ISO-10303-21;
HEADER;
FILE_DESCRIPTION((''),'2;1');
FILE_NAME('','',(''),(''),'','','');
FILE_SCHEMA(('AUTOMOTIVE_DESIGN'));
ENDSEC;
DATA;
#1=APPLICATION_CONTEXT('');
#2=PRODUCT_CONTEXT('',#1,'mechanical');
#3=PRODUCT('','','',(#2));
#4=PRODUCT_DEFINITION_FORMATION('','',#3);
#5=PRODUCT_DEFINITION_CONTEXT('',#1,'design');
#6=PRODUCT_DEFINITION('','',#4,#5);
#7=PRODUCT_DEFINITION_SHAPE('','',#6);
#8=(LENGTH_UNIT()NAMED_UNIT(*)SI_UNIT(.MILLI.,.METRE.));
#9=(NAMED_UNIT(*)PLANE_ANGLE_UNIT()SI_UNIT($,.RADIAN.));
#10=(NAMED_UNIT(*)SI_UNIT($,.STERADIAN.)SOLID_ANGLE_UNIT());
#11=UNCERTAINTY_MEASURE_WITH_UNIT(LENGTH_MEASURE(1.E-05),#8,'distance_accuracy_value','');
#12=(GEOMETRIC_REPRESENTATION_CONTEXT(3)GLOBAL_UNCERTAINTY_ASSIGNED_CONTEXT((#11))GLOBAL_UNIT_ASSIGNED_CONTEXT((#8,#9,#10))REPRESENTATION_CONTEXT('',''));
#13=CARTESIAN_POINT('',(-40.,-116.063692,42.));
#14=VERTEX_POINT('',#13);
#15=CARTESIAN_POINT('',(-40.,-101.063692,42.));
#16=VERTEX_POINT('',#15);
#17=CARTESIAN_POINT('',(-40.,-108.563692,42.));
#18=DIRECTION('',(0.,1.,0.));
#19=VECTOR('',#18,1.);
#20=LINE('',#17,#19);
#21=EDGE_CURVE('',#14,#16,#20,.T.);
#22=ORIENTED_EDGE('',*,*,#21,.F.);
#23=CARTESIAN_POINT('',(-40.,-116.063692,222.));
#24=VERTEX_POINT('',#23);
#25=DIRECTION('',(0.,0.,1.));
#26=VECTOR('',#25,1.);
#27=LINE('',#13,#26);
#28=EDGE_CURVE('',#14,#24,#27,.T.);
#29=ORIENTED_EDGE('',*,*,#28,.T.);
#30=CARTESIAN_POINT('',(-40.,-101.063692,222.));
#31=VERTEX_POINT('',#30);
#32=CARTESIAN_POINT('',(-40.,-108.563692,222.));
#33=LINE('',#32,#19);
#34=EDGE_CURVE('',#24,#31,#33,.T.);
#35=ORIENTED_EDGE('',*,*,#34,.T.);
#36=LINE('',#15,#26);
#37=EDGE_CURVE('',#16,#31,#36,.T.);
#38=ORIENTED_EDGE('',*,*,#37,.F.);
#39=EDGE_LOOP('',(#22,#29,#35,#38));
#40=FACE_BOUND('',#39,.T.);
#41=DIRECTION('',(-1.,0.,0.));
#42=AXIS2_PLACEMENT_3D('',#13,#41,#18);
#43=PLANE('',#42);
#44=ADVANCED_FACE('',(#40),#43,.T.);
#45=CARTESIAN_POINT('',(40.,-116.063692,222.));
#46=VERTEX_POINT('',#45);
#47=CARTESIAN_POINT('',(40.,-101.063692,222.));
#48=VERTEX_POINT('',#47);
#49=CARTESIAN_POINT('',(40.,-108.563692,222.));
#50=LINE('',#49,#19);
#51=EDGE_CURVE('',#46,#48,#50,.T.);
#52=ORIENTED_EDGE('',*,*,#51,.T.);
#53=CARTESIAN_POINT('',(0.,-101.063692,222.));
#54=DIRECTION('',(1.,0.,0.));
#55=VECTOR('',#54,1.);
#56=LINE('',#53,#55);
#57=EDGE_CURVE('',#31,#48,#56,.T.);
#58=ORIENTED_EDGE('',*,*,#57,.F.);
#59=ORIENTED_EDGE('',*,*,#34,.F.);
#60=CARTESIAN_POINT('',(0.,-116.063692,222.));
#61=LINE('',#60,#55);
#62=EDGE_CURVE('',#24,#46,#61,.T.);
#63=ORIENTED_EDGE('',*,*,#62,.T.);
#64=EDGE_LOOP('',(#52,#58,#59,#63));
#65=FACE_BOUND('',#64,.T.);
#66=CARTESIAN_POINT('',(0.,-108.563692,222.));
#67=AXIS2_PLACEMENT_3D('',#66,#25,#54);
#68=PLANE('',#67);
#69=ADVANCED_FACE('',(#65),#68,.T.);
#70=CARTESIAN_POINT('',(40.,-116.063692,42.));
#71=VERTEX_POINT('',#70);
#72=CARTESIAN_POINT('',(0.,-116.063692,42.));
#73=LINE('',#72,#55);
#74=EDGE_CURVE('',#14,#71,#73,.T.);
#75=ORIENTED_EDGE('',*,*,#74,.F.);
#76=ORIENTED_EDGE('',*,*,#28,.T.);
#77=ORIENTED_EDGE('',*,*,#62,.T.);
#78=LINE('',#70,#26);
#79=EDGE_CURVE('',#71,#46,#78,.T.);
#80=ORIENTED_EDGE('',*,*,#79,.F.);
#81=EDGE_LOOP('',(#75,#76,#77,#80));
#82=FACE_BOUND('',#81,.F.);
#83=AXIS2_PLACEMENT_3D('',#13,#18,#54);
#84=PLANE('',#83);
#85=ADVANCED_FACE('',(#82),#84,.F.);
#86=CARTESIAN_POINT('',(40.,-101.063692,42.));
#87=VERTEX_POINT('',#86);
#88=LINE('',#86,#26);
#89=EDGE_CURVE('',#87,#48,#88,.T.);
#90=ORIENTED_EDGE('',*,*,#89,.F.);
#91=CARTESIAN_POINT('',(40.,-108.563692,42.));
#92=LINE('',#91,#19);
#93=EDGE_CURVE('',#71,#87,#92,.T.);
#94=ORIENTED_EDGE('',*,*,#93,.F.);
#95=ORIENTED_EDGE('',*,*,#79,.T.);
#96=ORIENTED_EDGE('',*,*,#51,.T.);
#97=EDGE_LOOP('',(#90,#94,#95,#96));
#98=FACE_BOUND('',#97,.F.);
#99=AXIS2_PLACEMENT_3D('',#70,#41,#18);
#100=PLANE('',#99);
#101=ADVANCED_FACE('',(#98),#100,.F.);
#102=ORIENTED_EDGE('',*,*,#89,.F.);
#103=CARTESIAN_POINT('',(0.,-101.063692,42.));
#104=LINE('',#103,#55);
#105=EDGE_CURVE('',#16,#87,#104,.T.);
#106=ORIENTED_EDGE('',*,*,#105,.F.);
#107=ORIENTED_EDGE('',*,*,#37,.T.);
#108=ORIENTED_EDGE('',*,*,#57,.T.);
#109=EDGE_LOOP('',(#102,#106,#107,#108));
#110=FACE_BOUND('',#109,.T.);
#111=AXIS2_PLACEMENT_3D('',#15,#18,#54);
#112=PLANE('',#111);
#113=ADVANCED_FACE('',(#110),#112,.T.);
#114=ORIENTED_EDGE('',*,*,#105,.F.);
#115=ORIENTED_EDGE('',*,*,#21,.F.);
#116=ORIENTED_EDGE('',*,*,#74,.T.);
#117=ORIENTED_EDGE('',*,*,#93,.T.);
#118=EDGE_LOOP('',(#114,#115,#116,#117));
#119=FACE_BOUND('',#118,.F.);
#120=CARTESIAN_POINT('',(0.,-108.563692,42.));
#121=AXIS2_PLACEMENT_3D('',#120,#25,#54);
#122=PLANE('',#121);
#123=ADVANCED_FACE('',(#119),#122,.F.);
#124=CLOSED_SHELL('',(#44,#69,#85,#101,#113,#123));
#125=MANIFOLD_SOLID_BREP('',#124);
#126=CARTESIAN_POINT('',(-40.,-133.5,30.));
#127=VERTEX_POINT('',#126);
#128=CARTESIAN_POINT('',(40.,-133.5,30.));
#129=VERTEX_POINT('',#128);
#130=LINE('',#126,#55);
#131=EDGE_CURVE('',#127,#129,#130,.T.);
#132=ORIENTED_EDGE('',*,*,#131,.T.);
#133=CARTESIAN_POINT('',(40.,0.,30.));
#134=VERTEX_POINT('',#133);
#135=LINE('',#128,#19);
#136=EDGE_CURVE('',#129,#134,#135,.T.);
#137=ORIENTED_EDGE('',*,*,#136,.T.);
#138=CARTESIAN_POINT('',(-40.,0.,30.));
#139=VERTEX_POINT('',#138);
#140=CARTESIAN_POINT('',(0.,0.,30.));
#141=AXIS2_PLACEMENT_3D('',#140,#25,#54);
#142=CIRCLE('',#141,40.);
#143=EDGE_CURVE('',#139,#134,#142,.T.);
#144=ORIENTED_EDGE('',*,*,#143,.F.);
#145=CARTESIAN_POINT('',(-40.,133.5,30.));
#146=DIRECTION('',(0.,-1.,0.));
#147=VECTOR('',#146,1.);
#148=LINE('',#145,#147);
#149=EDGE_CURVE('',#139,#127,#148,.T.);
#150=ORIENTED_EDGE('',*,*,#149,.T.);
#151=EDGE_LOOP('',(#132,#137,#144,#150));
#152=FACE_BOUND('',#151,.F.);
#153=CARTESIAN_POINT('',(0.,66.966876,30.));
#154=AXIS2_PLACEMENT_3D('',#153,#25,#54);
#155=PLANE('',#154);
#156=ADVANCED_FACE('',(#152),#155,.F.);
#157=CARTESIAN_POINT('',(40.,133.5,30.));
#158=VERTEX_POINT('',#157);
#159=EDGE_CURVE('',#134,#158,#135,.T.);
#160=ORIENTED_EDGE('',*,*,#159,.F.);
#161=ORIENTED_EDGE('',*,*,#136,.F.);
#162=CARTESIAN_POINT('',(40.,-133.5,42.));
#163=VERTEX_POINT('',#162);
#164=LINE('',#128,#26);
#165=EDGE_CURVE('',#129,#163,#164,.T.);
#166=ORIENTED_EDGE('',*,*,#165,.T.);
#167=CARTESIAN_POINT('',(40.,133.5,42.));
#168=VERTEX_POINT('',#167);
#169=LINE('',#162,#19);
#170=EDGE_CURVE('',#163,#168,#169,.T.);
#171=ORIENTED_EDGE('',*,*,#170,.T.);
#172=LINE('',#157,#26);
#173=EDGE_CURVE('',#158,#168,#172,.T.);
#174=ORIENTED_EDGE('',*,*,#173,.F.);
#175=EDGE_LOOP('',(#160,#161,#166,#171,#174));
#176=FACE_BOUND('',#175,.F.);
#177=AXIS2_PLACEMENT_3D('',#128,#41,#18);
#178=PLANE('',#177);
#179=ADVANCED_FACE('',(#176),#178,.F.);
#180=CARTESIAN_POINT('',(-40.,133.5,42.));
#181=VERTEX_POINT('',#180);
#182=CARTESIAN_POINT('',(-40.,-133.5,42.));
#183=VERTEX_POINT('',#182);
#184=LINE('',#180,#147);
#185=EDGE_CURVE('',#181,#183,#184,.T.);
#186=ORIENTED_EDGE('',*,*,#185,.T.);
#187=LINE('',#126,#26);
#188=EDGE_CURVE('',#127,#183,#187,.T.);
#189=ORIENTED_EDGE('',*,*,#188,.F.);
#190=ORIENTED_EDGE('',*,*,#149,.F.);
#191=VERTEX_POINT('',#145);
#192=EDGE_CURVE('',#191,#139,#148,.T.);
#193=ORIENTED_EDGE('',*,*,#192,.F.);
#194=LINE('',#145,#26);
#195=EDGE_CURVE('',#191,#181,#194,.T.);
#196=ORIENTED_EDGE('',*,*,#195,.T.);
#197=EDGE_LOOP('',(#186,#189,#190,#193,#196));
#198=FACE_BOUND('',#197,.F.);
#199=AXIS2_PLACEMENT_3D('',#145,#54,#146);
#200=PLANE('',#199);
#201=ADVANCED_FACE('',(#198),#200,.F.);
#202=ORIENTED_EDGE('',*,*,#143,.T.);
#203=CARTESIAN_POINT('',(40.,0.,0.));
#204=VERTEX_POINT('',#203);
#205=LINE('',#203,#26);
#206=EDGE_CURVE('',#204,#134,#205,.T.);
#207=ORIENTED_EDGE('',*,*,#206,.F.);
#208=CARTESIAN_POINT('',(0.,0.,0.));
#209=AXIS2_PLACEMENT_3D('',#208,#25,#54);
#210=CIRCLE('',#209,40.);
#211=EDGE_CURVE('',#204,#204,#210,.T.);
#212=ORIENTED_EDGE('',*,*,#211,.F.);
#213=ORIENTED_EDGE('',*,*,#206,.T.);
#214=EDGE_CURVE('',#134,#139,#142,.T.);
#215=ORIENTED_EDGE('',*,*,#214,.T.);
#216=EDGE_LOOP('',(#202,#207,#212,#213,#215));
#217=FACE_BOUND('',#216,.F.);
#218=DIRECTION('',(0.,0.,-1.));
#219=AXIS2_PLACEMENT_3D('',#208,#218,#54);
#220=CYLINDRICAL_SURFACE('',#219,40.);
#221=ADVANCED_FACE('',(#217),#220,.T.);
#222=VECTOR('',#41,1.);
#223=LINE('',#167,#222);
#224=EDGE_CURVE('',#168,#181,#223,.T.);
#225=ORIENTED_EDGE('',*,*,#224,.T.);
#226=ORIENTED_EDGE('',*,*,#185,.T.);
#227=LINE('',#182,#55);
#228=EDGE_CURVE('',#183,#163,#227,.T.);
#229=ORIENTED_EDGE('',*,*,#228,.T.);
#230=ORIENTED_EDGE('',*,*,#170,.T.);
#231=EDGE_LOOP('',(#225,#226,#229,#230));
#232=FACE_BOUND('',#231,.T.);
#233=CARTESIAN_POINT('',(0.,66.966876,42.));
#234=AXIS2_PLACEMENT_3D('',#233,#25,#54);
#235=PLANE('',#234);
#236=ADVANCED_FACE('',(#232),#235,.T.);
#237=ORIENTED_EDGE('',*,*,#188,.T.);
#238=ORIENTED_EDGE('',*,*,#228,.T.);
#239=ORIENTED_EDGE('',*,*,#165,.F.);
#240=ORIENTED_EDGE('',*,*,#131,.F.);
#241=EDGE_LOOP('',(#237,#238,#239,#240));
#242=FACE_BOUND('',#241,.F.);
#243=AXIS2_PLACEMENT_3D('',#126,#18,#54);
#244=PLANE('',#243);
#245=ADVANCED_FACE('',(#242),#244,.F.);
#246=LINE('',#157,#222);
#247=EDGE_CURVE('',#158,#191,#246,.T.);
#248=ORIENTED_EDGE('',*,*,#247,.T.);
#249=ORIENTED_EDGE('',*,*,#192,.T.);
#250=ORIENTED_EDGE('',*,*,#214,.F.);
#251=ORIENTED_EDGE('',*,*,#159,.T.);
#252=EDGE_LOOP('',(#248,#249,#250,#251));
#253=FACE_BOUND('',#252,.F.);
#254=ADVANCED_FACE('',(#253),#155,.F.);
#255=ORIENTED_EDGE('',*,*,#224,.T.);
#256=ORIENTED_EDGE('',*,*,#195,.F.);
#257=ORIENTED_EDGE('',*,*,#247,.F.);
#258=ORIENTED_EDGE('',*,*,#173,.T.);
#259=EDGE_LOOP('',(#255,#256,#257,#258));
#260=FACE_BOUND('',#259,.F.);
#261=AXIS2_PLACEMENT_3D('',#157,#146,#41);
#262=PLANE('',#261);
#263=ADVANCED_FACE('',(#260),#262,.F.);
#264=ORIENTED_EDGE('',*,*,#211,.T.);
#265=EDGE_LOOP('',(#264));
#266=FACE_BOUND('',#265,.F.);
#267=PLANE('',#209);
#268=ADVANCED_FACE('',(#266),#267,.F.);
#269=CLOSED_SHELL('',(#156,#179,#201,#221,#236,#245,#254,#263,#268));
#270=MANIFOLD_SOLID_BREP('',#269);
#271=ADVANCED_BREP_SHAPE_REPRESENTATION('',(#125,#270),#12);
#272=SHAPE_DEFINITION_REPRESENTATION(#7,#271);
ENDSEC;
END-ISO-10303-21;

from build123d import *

# Parameters (mm, degrees)
F0_R     = 40
F1_DEPTH = 30
F3_DEPTH = 12
F4_W     = 80
F4_H     = 15
F5_DEPTH = 180


with BuildPart() as f1:
    # F0 (on Top) → F1 (new body)
    with BuildSketch(Plane.XY):
        Circle(F0_R)
    extrude(amount=F1_DEPTH)

    # F2 (on face) → F3 (join)
    with BuildSketch(Plane.XY.offset(30)):
        with BuildLine():
            Line((40, 0), (40, 133.5))
            Line((40, 133.5), (-40, 133.5))
            Line((-40, 133.5), (-40, 0))
            ThreePointArc((-40, 0), (0, 40), (40, 0))
        make_face()
        with BuildLine():
            Line((40, -133.5), (40, 0))
            ThreePointArc((40, 0), (0, -40), (-40, 0))
            Line((-40, 0), (-40, -133.5))
            Line((-40, -133.5), (40, -133.5))
        make_face()
        with BuildLine():
            ThreePointArc((-40, 0), (0, -40), (40, 0))
            ThreePointArc((40, 0), (0, 40), (-40, 0))
        make_face()
    extrude(amount=F3_DEPTH)


with BuildPart() as f5:
    # F4 (on face) → F5 (new body)
    with BuildSketch(Plane.XY.offset(42)):
        with Locations((0, -108.563692)):
            Rectangle(F4_W, F4_H)
    extrude(amount=F5_DEPTH)


solid = Compound([f1.part, f5.part])
